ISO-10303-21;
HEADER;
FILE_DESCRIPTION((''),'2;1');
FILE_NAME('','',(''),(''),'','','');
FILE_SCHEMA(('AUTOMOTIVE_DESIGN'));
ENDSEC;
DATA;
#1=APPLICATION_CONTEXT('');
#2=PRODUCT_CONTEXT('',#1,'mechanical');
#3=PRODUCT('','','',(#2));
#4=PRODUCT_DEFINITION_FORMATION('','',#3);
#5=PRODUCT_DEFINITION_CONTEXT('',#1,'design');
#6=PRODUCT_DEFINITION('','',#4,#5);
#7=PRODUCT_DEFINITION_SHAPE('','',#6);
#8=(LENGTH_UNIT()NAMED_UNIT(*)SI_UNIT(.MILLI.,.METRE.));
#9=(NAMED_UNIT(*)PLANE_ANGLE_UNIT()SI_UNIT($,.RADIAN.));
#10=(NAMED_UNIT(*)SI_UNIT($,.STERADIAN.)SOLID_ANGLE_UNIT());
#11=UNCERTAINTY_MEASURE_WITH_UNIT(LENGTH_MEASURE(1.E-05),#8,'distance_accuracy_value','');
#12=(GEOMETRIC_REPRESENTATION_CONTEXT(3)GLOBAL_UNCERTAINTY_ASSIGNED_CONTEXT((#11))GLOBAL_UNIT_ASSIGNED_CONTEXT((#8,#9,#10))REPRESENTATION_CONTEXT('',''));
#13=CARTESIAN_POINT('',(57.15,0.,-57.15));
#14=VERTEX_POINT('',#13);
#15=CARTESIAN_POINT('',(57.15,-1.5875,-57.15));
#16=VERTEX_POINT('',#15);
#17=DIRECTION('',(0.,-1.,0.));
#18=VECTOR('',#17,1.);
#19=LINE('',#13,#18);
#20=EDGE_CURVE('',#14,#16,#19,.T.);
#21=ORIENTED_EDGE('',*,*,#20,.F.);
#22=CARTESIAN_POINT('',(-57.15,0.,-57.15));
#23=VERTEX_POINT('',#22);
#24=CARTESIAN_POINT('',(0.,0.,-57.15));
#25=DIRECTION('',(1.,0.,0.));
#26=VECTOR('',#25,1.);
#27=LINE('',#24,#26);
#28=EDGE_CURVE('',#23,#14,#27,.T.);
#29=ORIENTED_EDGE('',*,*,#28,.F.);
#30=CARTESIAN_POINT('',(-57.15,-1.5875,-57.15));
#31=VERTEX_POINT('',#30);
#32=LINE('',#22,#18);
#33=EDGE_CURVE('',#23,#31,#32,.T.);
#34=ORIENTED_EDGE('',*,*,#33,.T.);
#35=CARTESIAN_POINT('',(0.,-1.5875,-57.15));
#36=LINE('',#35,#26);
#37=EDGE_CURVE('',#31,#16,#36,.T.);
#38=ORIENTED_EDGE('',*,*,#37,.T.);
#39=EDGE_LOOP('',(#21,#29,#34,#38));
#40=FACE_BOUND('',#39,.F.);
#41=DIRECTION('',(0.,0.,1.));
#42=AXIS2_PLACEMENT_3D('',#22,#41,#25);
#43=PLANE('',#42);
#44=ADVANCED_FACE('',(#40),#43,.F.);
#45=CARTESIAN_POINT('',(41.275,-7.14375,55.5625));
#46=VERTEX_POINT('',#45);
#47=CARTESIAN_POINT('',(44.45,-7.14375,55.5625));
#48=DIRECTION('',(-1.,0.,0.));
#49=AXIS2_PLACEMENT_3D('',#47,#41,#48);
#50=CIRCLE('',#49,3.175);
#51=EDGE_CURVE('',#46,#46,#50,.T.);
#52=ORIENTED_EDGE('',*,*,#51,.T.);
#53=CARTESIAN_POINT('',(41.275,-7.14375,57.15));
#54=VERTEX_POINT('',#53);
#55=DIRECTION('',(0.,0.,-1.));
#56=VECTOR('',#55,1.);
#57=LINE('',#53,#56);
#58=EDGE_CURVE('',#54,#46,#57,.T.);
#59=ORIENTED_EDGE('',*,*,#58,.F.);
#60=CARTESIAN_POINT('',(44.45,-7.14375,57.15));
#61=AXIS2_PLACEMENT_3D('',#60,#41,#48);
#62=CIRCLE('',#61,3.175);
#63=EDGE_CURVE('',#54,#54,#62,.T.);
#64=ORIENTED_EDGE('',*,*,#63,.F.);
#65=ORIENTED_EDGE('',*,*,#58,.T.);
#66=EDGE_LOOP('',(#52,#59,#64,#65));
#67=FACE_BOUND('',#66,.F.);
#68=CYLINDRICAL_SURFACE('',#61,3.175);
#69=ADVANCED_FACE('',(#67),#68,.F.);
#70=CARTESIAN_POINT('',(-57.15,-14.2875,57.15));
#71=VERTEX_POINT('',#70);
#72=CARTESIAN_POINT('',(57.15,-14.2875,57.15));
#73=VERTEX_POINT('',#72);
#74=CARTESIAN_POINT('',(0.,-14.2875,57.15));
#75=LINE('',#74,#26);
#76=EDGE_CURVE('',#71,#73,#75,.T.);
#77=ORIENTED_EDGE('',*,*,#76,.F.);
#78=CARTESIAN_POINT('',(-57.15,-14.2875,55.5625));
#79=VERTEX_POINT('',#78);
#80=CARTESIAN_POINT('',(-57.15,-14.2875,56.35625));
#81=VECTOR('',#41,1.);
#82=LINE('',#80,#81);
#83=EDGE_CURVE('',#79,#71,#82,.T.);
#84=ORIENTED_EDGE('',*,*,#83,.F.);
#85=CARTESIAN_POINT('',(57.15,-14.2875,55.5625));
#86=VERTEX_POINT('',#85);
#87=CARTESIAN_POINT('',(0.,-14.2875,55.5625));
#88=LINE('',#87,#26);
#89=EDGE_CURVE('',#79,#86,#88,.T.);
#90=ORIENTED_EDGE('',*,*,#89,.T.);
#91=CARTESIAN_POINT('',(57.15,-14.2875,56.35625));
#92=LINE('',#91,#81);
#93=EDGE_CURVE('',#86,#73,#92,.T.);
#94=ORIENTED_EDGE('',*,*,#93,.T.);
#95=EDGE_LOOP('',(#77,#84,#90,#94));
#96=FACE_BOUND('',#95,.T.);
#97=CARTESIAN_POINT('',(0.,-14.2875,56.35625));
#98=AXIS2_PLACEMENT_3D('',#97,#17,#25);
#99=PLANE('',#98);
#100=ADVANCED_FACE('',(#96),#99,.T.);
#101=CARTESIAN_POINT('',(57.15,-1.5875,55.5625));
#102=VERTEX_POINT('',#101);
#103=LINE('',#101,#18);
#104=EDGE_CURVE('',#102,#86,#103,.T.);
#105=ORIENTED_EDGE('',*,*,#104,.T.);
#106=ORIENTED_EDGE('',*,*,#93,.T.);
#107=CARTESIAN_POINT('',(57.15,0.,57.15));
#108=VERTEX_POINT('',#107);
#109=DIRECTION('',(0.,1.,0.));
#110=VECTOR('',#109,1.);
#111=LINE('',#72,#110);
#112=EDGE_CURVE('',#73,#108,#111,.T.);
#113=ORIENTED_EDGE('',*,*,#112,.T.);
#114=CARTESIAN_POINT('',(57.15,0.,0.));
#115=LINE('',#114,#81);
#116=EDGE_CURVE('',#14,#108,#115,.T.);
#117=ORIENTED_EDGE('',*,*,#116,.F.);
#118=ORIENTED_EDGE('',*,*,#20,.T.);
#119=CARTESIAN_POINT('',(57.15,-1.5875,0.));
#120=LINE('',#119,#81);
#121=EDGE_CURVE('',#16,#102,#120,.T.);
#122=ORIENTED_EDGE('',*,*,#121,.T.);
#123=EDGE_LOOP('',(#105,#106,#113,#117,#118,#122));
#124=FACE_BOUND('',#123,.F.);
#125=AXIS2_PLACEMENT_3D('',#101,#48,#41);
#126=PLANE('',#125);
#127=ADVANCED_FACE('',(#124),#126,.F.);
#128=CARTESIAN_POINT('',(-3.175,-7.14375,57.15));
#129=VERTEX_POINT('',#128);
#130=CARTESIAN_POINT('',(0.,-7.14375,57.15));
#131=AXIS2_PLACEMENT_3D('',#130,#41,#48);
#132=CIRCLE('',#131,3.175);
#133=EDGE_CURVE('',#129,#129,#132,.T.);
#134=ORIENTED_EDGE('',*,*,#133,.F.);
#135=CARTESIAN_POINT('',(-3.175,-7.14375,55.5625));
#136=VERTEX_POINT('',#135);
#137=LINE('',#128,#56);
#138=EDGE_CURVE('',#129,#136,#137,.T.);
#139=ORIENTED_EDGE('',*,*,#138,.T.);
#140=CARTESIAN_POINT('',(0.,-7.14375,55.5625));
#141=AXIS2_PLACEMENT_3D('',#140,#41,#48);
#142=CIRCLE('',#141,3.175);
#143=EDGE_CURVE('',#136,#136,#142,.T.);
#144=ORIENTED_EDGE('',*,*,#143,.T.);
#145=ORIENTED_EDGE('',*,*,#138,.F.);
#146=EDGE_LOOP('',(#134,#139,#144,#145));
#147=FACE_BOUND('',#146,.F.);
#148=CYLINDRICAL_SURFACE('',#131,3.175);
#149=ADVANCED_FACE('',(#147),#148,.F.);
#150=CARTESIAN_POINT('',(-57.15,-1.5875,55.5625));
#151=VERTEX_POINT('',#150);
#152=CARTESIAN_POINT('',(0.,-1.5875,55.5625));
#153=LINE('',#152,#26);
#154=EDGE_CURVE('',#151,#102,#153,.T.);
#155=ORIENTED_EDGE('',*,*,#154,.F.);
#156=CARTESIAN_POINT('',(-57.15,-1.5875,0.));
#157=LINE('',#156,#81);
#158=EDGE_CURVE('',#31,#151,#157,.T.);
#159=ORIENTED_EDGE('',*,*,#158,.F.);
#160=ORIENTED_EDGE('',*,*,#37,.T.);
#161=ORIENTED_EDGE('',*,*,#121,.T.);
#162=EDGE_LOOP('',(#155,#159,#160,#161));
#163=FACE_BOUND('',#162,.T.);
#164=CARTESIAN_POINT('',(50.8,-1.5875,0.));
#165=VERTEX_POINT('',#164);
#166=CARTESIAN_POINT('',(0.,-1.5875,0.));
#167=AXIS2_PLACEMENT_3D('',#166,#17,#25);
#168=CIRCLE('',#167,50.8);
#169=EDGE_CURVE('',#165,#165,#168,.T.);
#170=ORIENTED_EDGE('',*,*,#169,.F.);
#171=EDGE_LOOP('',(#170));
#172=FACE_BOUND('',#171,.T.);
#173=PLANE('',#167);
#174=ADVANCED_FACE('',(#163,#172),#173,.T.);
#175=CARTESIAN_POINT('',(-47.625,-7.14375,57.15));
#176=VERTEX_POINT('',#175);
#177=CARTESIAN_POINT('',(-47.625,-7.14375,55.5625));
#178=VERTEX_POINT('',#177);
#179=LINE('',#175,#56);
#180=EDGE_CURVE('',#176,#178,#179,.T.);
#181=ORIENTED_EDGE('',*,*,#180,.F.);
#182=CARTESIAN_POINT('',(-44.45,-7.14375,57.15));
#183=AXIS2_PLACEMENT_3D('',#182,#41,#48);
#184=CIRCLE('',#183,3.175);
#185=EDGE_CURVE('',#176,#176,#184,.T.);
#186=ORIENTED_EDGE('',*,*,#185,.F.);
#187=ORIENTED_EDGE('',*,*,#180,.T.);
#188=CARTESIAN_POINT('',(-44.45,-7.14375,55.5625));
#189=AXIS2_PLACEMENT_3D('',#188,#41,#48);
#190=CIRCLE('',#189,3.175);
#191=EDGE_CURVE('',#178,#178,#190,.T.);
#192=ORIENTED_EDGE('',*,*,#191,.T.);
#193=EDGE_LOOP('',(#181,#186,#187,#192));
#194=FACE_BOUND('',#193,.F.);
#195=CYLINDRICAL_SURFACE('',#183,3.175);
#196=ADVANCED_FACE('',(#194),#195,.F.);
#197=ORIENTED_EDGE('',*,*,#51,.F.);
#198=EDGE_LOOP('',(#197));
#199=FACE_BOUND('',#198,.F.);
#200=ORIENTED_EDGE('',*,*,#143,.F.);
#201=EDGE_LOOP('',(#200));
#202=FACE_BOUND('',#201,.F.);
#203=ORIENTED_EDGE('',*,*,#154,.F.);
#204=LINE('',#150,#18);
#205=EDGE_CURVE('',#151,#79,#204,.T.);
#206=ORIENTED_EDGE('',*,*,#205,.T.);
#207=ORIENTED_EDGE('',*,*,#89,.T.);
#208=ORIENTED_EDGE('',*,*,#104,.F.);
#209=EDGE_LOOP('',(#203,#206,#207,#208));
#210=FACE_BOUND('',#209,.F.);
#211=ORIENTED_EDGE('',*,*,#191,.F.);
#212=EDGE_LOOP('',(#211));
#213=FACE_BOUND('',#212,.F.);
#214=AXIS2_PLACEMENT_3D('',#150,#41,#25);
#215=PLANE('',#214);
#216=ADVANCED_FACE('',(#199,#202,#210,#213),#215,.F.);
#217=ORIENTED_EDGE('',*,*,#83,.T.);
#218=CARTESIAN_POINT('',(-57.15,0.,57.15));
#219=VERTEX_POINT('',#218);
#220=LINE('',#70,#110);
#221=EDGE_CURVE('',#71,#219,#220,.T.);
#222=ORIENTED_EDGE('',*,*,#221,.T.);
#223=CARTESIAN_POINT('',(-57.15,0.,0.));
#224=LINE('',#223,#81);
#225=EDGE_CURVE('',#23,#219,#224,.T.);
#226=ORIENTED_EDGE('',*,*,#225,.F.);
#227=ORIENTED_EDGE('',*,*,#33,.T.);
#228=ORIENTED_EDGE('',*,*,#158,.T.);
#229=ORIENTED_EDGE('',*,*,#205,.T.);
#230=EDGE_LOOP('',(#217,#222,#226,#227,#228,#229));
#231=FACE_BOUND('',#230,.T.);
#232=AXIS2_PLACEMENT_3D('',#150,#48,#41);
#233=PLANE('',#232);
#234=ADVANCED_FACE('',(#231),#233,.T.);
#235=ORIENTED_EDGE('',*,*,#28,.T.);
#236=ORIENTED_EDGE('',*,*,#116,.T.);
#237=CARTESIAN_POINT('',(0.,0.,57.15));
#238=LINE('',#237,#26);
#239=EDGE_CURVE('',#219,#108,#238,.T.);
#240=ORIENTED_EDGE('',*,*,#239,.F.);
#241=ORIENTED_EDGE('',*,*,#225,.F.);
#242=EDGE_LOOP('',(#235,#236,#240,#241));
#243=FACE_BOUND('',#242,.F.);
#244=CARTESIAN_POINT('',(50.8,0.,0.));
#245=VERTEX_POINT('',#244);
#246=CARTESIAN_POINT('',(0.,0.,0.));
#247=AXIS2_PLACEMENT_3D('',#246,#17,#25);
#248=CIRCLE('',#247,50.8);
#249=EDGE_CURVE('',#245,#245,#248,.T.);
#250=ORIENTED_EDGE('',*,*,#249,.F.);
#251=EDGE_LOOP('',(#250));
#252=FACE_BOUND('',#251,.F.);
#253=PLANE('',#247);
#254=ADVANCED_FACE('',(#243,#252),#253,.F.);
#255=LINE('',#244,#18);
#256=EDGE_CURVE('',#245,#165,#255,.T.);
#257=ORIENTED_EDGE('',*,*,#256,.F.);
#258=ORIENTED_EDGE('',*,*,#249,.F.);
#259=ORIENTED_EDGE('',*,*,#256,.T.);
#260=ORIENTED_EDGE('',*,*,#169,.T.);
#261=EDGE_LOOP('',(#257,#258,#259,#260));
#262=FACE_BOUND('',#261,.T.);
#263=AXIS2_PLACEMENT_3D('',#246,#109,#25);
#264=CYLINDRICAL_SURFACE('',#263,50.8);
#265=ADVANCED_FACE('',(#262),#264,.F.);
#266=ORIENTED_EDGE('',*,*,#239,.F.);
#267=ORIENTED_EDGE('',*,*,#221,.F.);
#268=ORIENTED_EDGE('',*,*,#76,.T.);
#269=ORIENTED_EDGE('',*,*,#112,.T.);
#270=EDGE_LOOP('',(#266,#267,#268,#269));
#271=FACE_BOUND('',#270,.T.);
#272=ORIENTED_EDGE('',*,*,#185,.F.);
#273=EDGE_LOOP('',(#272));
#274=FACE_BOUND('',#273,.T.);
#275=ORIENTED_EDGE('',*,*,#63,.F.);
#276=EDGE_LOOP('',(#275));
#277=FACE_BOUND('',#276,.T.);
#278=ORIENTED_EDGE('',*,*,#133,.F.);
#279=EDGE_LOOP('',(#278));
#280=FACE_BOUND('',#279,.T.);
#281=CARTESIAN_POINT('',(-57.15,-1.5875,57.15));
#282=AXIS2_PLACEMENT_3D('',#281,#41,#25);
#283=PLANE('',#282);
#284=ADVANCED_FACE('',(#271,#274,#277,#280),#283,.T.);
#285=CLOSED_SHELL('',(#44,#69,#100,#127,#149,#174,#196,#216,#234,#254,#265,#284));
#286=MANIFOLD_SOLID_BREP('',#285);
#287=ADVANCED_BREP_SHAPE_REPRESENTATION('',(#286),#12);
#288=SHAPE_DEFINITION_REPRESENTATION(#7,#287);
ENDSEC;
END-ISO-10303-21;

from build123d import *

# Parameters (mm, degrees)
F0_W     = 114.3
F0_H     = 114.3
F0_R     = 50.8
F1_DEPTH = 1.5875
F2_W     = 114.3
F2_H     = 1.5875
F3_DEPTH = 12.7
F5_DEPTH = 25.4


with BuildPart() as f1:
    # F0 (on Front) → F1 (new body)
    with BuildSketch(Plane.XZ):
        Rectangle(F0_W, F0_H)
        Circle(F0_R, mode=Mode.SUBTRACT)
    extrude(amount=F1_DEPTH)

    # F2 (on face) → F3 (join)
    with BuildSketch(Plane.XZ.offset(1.5875)):
        with Locations((0, 56.35625)):
            Rectangle(F2_W, F2_H)
    extrude(amount=F3_DEPTH)

    # F4 (on face) → F5 (cut)
    with BuildSketch(Plane.XY.offset(57.15)):
        with BuildLine():
            ThreePointArc((-41.275, -7.14375), (-44.45, -3.96875), (-47.625, -7.14375))
            Line((-47.625, -7.14375), (-41.275, -7.14375))
        make_face()
        with BuildLine():
            ThreePointArc((47.625, -7.14375), (44.45, -3.96875), (41.275, -7.14375))
            Line((41.275, -7.14375), (47.625, -7.14375))
        make_face()
        with BuildLine():
            Line((47.625, -7.14375), (41.275, -7.14375))
            ThreePointArc((41.275, -7.14375), (44.45, -10.31875), (47.625, -7.14375))
        make_face()
        with BuildLine():
            ThreePointArc((3.175, -7.14375), (0, -3.96875), (-3.175, -7.14375))
            Line((-3.175, -7.14375), (3.175, -7.14375))
        make_face()
        with BuildLine():
            Line((3.175, -7.14375), (-3.175, -7.14375))
            ThreePointArc((-3.175, -7.14375), (0, -10.31875), (3.175, -7.14375))
        make_face()
        with BuildLine():
            Line((-41.275, -7.14375), (-47.625, -7.14375))
            ThreePointArc((-47.625, -7.14375), (-44.45, -10.31875), (-41.275, -7.14375))
        make_face()
    extrude(amount=-F5_DEPTH, mode=Mode.SUBTRACT)


solid = f1.part
